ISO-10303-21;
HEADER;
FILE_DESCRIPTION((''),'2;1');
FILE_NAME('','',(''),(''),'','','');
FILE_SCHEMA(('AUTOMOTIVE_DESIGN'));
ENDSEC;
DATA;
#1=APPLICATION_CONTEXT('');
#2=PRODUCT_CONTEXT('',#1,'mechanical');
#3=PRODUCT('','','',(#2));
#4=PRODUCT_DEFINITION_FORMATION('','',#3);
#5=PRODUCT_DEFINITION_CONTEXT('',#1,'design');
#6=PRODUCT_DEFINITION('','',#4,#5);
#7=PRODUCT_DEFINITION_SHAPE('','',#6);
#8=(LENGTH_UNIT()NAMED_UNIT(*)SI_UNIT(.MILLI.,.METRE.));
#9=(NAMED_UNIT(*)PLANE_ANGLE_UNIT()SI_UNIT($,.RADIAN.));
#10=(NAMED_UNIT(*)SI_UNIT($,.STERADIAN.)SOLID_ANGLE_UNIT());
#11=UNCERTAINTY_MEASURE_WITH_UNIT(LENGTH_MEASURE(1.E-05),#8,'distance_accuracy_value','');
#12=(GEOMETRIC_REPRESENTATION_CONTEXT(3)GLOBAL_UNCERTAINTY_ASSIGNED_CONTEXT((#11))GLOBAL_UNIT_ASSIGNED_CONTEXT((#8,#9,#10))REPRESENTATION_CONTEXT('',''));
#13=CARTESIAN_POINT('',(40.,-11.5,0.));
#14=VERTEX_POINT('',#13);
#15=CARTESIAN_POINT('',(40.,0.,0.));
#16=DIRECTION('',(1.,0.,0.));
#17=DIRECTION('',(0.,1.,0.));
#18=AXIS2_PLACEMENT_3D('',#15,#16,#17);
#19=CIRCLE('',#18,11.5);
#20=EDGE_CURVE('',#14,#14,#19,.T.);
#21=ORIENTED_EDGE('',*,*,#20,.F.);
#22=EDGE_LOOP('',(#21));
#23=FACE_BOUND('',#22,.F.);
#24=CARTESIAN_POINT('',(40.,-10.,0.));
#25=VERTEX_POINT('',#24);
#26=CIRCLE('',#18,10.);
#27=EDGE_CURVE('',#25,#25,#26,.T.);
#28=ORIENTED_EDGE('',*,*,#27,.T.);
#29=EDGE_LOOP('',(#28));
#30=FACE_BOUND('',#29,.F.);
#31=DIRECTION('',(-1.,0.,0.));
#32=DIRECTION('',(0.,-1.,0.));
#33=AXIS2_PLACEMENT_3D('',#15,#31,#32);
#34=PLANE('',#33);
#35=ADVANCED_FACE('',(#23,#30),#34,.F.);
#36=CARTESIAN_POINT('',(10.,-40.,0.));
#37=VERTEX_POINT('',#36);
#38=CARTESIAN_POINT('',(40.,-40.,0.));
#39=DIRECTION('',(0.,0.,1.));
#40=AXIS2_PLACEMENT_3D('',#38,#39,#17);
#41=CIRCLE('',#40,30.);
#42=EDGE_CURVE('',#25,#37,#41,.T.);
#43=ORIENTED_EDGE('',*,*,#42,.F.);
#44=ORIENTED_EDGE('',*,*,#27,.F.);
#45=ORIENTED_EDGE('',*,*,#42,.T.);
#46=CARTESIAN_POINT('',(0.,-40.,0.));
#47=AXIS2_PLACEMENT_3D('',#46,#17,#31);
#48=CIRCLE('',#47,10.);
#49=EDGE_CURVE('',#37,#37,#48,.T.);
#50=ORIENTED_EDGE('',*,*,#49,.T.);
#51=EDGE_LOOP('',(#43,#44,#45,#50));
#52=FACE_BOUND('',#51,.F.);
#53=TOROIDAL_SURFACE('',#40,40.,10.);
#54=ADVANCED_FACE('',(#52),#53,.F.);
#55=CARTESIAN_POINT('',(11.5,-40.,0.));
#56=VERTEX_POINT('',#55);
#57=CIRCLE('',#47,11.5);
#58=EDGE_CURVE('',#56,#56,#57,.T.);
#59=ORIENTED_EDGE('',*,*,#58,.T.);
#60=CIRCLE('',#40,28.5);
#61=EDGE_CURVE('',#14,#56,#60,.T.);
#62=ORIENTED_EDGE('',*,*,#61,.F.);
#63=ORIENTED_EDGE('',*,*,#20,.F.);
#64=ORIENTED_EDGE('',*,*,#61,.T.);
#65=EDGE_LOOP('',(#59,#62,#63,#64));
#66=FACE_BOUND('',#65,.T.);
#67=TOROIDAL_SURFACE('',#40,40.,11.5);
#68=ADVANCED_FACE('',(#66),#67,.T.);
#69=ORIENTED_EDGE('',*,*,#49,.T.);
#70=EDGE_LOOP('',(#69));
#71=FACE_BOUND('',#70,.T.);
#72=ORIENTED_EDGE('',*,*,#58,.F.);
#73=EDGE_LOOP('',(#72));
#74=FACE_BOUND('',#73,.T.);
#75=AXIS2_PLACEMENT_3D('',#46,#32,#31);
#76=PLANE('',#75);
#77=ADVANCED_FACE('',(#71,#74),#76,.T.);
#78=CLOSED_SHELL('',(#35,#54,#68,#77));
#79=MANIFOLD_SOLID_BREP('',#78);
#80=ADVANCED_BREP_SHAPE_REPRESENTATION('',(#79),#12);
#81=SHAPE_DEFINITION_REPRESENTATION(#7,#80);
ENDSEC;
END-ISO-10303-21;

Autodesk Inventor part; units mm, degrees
ref_plane "YZ Plane" through (0, 0, 0) normal (1, 0, 0) x (0, 1, 0)
ref_plane "XZ Plane" through (0, 0, 0) normal (0, 1, 0) x (-1, 0, 0)
sketch "Szkic6" plane through (0, 0, 0) normal (0, 0, 1) x (1, 0, 0)
  line L0 (-29.6067, 0) -> (35.2678, 0) construction
  line L1 (0, 42.3419) -> (0, -58.3726) construction
  arc A0 (40, 0) -> (0, -40) centre (40, -40) ccw
  line L2 (0, -40) -> (40, -40) construction
  line L3 (40, -40) -> (40, 25.5331) construction
  line L4 (40, 0) -> (40, 0)
  line L5 (0, -40) -> (0, -40)
  point P0 (0, 0)
  dimension "d24" = 40
  dimension "d31" = 90
  dimension "d36" = 0
  dimension "d37" = 0
ref_plane "Płaszczyzna konstrukcyjna2" through (0, -40, 0) normal (0, -1, 0) x (1, 0, 0)
sketch "Szkic8" plane through (0, -40, 0) normal (0, -1, 0) x (1, 0, 0)
  circle A0 centre (0, 0) radius 11.5
  circle A1 centre (0, 0) radius 10
  dimension "d32" = 23
  dimension "d33" = 1.5
sweep "Przeciągnięcie2" add profiles "Szkic8" path "Szkic6"
equation "\"d32\" = OD"
equation "\"d33\" = THK"
equation "\"d24\" = R"
equation "\"d31\" = KAT"
equation "\"SzerokośćGięciaPodcięcia\" = Grubość"
equation "\"RozmiarPodcięciaNarożnika\" = 4 * Grubość"
equation "\"PromieńPrzejścia\" = PromieńGięcia"
equation "\"Rozmiar_promienia_Jacobiego\" = PromieńGięcia"
equation "\"Wielk_odstępu\" = Grubość"
equation "\"d2\" = PromieńGięcia"
equation "\"d23\" = PromieńGięcia"
equation "\"R\" = 40"
equation "\"OD\" = 23"
equation "\"THK\" = 1.5"
equation "\"KAT\" = 90deg"
equation "\"PROSTKA\" = 0"
equation "\"Grubość\" = 1.5"
equation "\"PromieńGięcia\" = 3"
properties part number "Kolano 90° ø23x1,5 R40" material "304L"
